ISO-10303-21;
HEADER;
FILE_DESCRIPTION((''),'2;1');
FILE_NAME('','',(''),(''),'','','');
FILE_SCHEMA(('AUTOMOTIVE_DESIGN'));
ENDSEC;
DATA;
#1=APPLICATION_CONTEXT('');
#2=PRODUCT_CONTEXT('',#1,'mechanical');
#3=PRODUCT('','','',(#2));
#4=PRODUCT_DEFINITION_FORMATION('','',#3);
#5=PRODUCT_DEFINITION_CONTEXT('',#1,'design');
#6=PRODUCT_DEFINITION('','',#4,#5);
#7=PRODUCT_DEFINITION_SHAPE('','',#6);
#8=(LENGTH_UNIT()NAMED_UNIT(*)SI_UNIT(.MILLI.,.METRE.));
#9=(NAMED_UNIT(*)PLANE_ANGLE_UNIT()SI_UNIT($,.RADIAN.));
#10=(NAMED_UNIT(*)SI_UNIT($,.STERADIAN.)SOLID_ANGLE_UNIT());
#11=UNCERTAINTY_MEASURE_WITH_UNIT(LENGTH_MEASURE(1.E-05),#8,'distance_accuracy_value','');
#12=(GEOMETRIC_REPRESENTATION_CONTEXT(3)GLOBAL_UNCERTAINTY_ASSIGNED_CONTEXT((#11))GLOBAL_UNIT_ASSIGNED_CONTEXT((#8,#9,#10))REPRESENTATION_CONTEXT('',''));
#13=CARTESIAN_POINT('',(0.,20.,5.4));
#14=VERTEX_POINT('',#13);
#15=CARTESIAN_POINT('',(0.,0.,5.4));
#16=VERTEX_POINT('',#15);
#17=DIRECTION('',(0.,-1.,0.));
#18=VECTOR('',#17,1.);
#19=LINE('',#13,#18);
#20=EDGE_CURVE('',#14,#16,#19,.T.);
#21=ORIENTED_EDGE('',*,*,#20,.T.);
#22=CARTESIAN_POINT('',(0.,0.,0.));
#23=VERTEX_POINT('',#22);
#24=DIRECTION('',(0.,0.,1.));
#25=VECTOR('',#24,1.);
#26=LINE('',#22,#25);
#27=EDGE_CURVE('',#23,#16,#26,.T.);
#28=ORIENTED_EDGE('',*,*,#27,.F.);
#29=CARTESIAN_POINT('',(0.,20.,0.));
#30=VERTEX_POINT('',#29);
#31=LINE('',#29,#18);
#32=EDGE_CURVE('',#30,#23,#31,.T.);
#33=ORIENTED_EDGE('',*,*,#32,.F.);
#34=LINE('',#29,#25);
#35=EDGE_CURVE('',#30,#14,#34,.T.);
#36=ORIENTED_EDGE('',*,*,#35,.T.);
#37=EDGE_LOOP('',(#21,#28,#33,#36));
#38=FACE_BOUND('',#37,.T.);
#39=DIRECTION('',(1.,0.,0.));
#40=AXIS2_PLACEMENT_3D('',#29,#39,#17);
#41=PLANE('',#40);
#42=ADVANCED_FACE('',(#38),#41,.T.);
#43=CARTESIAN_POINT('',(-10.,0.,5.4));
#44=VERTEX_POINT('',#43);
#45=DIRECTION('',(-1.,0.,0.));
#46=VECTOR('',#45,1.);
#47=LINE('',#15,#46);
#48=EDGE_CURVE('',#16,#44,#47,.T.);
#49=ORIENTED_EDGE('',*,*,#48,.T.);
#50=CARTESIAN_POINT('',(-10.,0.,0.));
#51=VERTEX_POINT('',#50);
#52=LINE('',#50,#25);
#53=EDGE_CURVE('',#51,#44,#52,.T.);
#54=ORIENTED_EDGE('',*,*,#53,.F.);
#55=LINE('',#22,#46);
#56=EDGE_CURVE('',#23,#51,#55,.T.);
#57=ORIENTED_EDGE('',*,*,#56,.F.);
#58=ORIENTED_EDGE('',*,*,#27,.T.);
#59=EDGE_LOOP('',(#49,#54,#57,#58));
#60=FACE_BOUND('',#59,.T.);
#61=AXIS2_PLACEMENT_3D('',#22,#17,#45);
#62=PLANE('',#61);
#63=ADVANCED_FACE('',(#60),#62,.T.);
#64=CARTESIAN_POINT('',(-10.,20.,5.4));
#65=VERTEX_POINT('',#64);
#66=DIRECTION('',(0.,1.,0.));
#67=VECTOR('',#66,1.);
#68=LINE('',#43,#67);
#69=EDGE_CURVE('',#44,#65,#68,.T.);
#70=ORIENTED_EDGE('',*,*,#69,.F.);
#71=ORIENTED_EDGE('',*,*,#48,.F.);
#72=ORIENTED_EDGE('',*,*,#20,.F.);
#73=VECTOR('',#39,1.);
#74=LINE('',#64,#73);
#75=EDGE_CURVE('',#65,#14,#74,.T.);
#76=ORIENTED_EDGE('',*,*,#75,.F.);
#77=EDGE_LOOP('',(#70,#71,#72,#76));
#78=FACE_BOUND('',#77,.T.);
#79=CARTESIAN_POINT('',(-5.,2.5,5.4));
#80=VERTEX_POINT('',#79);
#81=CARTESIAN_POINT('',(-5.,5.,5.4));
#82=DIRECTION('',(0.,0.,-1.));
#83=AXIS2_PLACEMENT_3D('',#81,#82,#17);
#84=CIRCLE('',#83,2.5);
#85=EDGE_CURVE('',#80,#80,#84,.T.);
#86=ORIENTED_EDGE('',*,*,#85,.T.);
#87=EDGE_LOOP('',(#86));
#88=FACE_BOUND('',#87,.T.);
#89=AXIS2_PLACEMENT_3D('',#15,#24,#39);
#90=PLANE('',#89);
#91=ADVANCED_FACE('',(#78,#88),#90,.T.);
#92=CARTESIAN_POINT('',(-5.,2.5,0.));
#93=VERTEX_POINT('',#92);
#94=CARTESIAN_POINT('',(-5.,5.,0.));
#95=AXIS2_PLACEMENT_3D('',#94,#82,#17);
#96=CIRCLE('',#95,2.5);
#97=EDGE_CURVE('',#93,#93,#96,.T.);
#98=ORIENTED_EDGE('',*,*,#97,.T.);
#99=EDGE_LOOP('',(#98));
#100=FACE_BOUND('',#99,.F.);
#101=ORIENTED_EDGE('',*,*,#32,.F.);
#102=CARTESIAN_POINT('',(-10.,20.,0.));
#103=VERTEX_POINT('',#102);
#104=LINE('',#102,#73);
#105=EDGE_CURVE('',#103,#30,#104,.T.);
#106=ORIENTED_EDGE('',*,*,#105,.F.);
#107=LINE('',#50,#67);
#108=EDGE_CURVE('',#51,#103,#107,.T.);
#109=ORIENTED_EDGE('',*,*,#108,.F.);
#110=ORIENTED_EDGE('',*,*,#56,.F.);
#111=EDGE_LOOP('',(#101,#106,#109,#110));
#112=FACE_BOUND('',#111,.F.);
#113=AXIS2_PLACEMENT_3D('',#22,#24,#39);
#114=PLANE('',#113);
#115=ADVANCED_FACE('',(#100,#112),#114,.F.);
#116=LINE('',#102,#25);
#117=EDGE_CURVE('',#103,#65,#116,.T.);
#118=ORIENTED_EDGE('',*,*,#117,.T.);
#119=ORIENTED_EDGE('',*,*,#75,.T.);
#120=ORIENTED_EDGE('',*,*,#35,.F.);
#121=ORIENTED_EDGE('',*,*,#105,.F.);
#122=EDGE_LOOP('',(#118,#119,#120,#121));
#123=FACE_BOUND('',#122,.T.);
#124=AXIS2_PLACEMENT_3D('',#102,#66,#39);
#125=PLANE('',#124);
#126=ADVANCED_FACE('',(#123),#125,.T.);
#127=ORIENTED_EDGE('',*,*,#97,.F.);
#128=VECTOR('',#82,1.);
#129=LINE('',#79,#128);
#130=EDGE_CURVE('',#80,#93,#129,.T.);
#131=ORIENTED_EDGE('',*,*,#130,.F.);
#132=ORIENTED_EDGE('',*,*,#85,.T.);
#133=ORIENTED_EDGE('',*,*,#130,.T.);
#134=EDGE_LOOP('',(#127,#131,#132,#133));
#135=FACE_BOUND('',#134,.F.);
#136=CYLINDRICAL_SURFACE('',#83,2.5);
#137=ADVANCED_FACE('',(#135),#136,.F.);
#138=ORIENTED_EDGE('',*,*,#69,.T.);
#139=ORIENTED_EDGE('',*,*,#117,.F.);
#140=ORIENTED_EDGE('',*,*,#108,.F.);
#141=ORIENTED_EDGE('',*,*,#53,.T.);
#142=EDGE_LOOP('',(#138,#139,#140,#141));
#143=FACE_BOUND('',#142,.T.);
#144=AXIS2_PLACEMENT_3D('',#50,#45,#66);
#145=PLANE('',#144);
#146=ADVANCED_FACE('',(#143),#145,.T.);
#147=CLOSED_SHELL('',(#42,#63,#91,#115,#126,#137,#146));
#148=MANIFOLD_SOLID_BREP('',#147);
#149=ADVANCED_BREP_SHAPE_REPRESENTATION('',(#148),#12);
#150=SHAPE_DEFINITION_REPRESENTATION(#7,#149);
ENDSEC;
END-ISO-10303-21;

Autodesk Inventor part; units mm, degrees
ref_plane "YZ Plane" through (0, 0, 0) normal (1, 0, 0) x (0, 1, 0)
ref_plane "XZ Plane" through (0, 0, 0) normal (0, 1, 0) x (-1, 0, 0)
ref_plane "XY Plane" through (0, 0, 0) normal (0, 0, 1) x (1, 0, 0)
sketch "Sketch4" plane through (0, 0, 0) normal (0, 0, 1) x (1, 0, 0)
  line L0 (0, 0) -> (-10, 0)
  line L1 (-10, 0) -> (-10, 20)
  line L2 (-10, 20) -> (0, 20)
  line L3 (0, 20) -> (0, 0)
  dimension "d22" = 10
  dimension "d23" = 20
extrude "Extrusion3" add sketch "Sketch4" along normal blind 5.4
sketch "Sketch5" plane through (0, 0, 5.4) normal (0, 0, 1) x (1, 0, 0)
  point P0 (0, 0)
  point P1 (-5, 5)
hole "Hole3" at (-5, 5, 5.4) direction (0, 0, -1) diameter 5 depth 6
properties part number "Circle_TestFit_V1"
